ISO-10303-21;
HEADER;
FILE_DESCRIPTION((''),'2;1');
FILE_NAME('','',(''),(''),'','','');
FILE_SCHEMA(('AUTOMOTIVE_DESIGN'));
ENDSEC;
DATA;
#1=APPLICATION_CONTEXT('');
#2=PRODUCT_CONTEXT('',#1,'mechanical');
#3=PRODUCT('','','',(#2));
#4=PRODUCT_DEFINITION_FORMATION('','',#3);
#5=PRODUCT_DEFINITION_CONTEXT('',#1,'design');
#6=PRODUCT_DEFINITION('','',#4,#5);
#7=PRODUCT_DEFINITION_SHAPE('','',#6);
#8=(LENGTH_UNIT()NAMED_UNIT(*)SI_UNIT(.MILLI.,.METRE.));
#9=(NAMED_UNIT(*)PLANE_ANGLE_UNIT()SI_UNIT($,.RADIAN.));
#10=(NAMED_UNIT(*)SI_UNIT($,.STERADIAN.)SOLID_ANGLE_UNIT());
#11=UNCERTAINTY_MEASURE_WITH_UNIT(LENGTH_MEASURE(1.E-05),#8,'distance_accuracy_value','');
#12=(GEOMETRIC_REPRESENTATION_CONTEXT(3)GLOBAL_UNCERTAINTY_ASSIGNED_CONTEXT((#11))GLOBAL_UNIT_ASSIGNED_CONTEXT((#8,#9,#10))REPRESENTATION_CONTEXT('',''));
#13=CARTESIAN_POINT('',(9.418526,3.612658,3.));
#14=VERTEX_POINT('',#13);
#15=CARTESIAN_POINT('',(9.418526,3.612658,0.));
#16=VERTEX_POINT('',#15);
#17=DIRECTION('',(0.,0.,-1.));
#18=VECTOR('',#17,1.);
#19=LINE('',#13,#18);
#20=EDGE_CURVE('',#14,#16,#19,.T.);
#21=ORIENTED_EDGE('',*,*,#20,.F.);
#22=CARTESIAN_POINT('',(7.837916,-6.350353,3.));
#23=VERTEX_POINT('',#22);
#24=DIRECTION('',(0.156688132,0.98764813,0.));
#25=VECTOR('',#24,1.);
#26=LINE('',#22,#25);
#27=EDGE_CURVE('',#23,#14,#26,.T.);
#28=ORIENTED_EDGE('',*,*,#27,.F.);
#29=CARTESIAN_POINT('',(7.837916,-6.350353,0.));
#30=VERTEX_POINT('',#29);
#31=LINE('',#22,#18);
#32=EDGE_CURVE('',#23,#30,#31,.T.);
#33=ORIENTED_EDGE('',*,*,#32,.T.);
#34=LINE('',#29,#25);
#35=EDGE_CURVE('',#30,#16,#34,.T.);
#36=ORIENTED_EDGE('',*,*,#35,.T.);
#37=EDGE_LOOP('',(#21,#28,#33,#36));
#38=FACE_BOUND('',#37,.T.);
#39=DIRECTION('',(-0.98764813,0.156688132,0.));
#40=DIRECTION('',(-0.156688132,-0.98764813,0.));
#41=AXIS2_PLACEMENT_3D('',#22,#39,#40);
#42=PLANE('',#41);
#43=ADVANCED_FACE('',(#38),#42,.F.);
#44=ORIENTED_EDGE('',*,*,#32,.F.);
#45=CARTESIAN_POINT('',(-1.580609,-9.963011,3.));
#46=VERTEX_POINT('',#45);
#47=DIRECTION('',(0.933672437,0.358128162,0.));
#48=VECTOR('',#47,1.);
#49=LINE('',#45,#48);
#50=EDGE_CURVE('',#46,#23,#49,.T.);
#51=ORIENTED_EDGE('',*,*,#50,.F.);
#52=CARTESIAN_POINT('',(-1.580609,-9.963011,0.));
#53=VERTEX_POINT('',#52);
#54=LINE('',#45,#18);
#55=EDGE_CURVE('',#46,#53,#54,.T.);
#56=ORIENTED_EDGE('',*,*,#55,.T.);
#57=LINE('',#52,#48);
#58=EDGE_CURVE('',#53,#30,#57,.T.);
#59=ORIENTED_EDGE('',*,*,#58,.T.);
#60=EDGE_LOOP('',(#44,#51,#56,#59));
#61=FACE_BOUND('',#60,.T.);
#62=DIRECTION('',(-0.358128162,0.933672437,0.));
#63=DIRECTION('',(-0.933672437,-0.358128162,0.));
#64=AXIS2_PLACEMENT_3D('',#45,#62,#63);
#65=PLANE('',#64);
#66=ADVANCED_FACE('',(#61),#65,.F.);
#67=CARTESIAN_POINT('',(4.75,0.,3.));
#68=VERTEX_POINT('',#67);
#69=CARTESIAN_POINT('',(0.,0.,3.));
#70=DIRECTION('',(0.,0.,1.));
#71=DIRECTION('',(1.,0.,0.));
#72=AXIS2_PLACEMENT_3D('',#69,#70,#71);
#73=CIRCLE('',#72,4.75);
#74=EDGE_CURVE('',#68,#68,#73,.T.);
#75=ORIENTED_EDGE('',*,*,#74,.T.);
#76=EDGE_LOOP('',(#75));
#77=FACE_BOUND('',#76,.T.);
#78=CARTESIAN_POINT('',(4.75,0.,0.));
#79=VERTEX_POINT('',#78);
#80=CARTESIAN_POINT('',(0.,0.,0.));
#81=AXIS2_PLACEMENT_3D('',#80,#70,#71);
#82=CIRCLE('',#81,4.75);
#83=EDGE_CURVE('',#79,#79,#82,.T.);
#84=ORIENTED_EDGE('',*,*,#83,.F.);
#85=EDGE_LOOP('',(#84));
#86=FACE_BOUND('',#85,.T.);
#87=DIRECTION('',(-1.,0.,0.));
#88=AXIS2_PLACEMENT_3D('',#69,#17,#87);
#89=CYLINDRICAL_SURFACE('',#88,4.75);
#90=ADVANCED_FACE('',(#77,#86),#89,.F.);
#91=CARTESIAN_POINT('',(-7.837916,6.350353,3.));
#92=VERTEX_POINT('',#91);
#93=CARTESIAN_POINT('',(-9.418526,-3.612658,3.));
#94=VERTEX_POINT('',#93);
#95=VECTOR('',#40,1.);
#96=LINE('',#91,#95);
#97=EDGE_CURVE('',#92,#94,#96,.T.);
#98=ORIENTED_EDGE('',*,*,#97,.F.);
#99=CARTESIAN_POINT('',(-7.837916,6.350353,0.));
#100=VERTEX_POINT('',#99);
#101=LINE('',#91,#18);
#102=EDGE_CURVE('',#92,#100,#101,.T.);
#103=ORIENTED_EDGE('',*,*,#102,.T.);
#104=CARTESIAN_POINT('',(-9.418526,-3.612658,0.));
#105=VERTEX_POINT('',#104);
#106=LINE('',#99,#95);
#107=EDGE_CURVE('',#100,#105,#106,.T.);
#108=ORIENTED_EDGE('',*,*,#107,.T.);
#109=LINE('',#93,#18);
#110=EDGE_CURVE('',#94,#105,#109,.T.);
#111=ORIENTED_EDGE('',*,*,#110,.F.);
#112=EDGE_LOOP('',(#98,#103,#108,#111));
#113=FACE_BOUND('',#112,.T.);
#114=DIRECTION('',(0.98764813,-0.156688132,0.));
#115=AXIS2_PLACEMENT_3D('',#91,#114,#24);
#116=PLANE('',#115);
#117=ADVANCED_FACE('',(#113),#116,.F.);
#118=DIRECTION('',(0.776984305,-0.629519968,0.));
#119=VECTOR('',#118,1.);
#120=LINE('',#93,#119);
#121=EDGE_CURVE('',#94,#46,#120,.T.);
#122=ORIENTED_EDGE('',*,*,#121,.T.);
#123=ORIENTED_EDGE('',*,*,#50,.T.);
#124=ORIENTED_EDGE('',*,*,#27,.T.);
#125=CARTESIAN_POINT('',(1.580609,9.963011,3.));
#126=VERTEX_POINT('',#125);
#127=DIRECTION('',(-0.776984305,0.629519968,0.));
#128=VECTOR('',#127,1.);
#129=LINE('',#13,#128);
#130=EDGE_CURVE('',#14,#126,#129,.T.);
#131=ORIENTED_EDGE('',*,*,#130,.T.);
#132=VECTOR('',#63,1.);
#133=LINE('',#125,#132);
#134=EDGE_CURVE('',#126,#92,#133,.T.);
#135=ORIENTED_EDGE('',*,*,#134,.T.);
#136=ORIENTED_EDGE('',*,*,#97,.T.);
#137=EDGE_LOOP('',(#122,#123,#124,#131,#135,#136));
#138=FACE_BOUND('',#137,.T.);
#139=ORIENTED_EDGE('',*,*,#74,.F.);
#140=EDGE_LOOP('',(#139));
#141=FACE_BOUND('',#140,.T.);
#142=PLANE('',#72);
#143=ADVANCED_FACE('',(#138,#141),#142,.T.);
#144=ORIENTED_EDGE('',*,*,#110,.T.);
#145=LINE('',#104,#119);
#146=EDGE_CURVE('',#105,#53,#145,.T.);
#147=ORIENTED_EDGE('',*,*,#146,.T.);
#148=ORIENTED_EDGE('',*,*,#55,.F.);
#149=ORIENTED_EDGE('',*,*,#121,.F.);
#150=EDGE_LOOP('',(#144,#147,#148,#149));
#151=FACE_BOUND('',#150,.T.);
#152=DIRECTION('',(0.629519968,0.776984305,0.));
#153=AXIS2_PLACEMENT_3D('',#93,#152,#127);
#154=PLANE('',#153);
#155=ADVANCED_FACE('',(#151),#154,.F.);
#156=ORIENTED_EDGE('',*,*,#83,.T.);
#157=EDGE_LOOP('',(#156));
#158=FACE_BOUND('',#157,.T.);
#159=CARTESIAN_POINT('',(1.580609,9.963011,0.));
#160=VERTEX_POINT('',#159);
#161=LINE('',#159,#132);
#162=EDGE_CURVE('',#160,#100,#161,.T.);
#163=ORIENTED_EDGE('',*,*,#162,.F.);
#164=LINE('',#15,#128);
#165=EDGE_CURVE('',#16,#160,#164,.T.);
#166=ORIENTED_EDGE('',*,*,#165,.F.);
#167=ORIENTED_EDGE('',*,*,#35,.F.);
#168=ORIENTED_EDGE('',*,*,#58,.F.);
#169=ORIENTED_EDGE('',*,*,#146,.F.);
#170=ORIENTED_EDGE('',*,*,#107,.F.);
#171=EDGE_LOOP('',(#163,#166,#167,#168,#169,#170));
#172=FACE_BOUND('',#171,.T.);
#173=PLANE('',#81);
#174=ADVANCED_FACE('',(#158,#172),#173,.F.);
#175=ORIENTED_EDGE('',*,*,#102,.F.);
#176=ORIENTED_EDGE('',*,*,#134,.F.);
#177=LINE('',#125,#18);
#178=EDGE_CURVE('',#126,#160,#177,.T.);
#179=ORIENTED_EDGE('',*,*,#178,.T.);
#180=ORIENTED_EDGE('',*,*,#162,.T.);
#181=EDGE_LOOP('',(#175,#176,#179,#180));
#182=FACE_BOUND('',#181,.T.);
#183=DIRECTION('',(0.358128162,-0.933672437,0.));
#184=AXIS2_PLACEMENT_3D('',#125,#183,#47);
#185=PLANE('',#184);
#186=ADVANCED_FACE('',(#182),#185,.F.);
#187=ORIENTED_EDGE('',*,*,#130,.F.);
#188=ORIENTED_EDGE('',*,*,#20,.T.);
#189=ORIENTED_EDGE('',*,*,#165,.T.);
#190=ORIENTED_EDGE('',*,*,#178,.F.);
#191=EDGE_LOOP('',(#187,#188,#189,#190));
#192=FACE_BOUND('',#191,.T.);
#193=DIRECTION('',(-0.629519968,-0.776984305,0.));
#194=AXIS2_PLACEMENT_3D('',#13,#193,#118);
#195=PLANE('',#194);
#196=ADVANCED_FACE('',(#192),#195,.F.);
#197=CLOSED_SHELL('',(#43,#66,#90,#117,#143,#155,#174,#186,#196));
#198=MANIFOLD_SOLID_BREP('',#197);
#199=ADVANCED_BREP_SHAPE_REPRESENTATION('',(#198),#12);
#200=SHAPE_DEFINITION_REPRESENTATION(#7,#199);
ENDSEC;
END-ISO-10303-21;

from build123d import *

# Parameters (mm, degrees)
CROQUIS1_R              = 4.75
SALIENTE_EXTRUIR1_DEPTH = 3


with BuildPart() as part:
    # Croquis1 → Saliente-Extruir1 (new body)
    with BuildSketch(Plane.XY):
        Polygon((7.837916431, -6.350353377), (9.418525563, 3.612658053), (1.580609132, 9.96301143), (-7.837916431, 6.350353377), (-9.418525563, -3.612658053), (-1.580609132, -9.96301143), align=None)
        Circle(CROQUIS1_R, mode=Mode.SUBTRACT)
    extrude(amount=SALIENTE_EXTRUIR1_DEPTH)


solid = part.part
